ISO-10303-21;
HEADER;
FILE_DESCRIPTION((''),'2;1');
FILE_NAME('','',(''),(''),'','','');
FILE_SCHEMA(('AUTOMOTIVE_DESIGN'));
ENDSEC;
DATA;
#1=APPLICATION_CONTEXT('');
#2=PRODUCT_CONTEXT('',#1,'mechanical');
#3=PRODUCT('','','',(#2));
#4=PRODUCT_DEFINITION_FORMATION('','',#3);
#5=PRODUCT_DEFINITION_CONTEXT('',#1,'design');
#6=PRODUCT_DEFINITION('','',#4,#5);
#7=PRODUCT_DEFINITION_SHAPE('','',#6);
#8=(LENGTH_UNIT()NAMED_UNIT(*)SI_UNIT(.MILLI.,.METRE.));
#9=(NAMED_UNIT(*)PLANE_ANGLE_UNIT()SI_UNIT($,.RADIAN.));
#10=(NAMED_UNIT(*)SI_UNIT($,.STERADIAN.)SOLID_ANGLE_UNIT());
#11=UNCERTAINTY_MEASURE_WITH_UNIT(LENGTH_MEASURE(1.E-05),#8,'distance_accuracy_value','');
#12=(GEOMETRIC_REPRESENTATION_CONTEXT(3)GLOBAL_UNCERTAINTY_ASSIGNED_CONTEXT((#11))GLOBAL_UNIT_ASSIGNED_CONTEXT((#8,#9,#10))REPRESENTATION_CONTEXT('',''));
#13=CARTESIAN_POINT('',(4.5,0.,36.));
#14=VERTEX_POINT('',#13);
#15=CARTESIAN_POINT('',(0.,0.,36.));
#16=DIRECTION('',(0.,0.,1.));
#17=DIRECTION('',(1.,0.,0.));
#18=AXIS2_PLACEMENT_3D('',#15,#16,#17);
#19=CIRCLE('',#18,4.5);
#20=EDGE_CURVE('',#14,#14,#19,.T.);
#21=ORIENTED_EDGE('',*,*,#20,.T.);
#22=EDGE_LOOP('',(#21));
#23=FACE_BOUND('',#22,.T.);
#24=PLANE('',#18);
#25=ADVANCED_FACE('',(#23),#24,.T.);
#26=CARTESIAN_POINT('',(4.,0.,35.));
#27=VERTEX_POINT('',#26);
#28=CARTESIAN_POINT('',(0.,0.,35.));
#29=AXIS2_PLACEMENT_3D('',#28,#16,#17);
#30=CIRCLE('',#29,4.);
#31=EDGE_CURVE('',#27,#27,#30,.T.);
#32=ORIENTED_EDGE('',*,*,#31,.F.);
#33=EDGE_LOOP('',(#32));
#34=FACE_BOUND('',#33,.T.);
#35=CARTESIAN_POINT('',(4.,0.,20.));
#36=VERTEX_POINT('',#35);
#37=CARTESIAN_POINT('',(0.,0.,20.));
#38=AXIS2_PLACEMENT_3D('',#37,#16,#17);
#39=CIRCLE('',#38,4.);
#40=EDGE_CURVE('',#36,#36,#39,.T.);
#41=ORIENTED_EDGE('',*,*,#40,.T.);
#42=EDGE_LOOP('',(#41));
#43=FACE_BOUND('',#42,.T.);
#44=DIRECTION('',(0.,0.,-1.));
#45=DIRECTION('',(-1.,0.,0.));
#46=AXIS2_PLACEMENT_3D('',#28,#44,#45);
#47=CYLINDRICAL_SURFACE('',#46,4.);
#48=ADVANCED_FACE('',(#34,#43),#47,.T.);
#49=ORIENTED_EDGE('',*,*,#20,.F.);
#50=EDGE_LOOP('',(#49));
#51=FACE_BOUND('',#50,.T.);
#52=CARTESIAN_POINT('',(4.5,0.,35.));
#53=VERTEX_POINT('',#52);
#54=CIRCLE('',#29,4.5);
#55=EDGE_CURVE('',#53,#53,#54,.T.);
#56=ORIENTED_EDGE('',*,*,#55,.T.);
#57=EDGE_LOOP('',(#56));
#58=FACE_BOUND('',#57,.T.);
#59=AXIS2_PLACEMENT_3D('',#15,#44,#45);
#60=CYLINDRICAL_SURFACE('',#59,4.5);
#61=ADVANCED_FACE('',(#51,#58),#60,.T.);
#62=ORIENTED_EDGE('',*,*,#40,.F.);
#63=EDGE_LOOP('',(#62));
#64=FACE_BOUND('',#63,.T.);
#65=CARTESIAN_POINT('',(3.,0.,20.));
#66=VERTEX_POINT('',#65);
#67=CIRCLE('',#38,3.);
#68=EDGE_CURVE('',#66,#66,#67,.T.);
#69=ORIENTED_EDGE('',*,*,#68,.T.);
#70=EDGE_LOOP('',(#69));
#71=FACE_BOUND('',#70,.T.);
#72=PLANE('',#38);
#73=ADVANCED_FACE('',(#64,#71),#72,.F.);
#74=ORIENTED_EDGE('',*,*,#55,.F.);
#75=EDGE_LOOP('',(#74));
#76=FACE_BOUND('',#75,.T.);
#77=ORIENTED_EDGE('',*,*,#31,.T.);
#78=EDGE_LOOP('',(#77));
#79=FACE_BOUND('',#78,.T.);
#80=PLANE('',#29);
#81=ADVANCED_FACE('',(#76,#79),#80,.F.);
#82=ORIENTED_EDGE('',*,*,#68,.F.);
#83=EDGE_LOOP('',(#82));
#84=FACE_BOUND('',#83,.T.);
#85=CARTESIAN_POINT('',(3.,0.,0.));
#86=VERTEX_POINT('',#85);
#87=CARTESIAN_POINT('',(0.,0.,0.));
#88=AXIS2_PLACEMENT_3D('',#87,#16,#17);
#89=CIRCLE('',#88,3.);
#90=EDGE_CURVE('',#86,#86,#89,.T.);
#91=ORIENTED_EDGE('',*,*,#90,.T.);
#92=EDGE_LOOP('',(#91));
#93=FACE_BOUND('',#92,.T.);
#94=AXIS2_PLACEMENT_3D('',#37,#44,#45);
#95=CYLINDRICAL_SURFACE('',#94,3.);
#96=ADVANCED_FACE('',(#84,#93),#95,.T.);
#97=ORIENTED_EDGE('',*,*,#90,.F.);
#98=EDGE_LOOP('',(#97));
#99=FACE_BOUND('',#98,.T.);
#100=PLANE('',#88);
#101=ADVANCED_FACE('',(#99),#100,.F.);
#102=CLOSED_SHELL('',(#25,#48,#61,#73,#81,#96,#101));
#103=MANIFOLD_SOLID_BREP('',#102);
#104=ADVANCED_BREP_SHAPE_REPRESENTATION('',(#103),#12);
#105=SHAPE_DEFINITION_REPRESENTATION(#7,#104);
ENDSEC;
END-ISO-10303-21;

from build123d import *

# Parameters (mm, degrees)
SKETCH_1_R      = 3
EXTRUDE_1_DEPTH = 20
SKETCH_2_R      = 4
EXTRUDE_2_DEPTH = 15
SKETCH_3_R      = 4.5
EXTRUDE_3_DEPTH = 1


with BuildPart() as part:
    # 草图1 → 凸台-拉伸1 (new body)
    with BuildSketch(Plane.XY):
        Circle(SKETCH_1_R)
    extrude(amount=EXTRUDE_1_DEPTH)

    # 草图2 → 凸台-拉伸2 (add)
    with BuildSketch(Plane.XY.offset(20)):
        Circle(SKETCH_2_R)
    extrude(amount=EXTRUDE_2_DEPTH)

    # 草图3 → 凸台-拉伸3 (add)
    with BuildSketch(Plane.XY.offset(35)):
        Circle(SKETCH_3_R)
    extrude(amount=EXTRUDE_3_DEPTH)


solid = part.part
